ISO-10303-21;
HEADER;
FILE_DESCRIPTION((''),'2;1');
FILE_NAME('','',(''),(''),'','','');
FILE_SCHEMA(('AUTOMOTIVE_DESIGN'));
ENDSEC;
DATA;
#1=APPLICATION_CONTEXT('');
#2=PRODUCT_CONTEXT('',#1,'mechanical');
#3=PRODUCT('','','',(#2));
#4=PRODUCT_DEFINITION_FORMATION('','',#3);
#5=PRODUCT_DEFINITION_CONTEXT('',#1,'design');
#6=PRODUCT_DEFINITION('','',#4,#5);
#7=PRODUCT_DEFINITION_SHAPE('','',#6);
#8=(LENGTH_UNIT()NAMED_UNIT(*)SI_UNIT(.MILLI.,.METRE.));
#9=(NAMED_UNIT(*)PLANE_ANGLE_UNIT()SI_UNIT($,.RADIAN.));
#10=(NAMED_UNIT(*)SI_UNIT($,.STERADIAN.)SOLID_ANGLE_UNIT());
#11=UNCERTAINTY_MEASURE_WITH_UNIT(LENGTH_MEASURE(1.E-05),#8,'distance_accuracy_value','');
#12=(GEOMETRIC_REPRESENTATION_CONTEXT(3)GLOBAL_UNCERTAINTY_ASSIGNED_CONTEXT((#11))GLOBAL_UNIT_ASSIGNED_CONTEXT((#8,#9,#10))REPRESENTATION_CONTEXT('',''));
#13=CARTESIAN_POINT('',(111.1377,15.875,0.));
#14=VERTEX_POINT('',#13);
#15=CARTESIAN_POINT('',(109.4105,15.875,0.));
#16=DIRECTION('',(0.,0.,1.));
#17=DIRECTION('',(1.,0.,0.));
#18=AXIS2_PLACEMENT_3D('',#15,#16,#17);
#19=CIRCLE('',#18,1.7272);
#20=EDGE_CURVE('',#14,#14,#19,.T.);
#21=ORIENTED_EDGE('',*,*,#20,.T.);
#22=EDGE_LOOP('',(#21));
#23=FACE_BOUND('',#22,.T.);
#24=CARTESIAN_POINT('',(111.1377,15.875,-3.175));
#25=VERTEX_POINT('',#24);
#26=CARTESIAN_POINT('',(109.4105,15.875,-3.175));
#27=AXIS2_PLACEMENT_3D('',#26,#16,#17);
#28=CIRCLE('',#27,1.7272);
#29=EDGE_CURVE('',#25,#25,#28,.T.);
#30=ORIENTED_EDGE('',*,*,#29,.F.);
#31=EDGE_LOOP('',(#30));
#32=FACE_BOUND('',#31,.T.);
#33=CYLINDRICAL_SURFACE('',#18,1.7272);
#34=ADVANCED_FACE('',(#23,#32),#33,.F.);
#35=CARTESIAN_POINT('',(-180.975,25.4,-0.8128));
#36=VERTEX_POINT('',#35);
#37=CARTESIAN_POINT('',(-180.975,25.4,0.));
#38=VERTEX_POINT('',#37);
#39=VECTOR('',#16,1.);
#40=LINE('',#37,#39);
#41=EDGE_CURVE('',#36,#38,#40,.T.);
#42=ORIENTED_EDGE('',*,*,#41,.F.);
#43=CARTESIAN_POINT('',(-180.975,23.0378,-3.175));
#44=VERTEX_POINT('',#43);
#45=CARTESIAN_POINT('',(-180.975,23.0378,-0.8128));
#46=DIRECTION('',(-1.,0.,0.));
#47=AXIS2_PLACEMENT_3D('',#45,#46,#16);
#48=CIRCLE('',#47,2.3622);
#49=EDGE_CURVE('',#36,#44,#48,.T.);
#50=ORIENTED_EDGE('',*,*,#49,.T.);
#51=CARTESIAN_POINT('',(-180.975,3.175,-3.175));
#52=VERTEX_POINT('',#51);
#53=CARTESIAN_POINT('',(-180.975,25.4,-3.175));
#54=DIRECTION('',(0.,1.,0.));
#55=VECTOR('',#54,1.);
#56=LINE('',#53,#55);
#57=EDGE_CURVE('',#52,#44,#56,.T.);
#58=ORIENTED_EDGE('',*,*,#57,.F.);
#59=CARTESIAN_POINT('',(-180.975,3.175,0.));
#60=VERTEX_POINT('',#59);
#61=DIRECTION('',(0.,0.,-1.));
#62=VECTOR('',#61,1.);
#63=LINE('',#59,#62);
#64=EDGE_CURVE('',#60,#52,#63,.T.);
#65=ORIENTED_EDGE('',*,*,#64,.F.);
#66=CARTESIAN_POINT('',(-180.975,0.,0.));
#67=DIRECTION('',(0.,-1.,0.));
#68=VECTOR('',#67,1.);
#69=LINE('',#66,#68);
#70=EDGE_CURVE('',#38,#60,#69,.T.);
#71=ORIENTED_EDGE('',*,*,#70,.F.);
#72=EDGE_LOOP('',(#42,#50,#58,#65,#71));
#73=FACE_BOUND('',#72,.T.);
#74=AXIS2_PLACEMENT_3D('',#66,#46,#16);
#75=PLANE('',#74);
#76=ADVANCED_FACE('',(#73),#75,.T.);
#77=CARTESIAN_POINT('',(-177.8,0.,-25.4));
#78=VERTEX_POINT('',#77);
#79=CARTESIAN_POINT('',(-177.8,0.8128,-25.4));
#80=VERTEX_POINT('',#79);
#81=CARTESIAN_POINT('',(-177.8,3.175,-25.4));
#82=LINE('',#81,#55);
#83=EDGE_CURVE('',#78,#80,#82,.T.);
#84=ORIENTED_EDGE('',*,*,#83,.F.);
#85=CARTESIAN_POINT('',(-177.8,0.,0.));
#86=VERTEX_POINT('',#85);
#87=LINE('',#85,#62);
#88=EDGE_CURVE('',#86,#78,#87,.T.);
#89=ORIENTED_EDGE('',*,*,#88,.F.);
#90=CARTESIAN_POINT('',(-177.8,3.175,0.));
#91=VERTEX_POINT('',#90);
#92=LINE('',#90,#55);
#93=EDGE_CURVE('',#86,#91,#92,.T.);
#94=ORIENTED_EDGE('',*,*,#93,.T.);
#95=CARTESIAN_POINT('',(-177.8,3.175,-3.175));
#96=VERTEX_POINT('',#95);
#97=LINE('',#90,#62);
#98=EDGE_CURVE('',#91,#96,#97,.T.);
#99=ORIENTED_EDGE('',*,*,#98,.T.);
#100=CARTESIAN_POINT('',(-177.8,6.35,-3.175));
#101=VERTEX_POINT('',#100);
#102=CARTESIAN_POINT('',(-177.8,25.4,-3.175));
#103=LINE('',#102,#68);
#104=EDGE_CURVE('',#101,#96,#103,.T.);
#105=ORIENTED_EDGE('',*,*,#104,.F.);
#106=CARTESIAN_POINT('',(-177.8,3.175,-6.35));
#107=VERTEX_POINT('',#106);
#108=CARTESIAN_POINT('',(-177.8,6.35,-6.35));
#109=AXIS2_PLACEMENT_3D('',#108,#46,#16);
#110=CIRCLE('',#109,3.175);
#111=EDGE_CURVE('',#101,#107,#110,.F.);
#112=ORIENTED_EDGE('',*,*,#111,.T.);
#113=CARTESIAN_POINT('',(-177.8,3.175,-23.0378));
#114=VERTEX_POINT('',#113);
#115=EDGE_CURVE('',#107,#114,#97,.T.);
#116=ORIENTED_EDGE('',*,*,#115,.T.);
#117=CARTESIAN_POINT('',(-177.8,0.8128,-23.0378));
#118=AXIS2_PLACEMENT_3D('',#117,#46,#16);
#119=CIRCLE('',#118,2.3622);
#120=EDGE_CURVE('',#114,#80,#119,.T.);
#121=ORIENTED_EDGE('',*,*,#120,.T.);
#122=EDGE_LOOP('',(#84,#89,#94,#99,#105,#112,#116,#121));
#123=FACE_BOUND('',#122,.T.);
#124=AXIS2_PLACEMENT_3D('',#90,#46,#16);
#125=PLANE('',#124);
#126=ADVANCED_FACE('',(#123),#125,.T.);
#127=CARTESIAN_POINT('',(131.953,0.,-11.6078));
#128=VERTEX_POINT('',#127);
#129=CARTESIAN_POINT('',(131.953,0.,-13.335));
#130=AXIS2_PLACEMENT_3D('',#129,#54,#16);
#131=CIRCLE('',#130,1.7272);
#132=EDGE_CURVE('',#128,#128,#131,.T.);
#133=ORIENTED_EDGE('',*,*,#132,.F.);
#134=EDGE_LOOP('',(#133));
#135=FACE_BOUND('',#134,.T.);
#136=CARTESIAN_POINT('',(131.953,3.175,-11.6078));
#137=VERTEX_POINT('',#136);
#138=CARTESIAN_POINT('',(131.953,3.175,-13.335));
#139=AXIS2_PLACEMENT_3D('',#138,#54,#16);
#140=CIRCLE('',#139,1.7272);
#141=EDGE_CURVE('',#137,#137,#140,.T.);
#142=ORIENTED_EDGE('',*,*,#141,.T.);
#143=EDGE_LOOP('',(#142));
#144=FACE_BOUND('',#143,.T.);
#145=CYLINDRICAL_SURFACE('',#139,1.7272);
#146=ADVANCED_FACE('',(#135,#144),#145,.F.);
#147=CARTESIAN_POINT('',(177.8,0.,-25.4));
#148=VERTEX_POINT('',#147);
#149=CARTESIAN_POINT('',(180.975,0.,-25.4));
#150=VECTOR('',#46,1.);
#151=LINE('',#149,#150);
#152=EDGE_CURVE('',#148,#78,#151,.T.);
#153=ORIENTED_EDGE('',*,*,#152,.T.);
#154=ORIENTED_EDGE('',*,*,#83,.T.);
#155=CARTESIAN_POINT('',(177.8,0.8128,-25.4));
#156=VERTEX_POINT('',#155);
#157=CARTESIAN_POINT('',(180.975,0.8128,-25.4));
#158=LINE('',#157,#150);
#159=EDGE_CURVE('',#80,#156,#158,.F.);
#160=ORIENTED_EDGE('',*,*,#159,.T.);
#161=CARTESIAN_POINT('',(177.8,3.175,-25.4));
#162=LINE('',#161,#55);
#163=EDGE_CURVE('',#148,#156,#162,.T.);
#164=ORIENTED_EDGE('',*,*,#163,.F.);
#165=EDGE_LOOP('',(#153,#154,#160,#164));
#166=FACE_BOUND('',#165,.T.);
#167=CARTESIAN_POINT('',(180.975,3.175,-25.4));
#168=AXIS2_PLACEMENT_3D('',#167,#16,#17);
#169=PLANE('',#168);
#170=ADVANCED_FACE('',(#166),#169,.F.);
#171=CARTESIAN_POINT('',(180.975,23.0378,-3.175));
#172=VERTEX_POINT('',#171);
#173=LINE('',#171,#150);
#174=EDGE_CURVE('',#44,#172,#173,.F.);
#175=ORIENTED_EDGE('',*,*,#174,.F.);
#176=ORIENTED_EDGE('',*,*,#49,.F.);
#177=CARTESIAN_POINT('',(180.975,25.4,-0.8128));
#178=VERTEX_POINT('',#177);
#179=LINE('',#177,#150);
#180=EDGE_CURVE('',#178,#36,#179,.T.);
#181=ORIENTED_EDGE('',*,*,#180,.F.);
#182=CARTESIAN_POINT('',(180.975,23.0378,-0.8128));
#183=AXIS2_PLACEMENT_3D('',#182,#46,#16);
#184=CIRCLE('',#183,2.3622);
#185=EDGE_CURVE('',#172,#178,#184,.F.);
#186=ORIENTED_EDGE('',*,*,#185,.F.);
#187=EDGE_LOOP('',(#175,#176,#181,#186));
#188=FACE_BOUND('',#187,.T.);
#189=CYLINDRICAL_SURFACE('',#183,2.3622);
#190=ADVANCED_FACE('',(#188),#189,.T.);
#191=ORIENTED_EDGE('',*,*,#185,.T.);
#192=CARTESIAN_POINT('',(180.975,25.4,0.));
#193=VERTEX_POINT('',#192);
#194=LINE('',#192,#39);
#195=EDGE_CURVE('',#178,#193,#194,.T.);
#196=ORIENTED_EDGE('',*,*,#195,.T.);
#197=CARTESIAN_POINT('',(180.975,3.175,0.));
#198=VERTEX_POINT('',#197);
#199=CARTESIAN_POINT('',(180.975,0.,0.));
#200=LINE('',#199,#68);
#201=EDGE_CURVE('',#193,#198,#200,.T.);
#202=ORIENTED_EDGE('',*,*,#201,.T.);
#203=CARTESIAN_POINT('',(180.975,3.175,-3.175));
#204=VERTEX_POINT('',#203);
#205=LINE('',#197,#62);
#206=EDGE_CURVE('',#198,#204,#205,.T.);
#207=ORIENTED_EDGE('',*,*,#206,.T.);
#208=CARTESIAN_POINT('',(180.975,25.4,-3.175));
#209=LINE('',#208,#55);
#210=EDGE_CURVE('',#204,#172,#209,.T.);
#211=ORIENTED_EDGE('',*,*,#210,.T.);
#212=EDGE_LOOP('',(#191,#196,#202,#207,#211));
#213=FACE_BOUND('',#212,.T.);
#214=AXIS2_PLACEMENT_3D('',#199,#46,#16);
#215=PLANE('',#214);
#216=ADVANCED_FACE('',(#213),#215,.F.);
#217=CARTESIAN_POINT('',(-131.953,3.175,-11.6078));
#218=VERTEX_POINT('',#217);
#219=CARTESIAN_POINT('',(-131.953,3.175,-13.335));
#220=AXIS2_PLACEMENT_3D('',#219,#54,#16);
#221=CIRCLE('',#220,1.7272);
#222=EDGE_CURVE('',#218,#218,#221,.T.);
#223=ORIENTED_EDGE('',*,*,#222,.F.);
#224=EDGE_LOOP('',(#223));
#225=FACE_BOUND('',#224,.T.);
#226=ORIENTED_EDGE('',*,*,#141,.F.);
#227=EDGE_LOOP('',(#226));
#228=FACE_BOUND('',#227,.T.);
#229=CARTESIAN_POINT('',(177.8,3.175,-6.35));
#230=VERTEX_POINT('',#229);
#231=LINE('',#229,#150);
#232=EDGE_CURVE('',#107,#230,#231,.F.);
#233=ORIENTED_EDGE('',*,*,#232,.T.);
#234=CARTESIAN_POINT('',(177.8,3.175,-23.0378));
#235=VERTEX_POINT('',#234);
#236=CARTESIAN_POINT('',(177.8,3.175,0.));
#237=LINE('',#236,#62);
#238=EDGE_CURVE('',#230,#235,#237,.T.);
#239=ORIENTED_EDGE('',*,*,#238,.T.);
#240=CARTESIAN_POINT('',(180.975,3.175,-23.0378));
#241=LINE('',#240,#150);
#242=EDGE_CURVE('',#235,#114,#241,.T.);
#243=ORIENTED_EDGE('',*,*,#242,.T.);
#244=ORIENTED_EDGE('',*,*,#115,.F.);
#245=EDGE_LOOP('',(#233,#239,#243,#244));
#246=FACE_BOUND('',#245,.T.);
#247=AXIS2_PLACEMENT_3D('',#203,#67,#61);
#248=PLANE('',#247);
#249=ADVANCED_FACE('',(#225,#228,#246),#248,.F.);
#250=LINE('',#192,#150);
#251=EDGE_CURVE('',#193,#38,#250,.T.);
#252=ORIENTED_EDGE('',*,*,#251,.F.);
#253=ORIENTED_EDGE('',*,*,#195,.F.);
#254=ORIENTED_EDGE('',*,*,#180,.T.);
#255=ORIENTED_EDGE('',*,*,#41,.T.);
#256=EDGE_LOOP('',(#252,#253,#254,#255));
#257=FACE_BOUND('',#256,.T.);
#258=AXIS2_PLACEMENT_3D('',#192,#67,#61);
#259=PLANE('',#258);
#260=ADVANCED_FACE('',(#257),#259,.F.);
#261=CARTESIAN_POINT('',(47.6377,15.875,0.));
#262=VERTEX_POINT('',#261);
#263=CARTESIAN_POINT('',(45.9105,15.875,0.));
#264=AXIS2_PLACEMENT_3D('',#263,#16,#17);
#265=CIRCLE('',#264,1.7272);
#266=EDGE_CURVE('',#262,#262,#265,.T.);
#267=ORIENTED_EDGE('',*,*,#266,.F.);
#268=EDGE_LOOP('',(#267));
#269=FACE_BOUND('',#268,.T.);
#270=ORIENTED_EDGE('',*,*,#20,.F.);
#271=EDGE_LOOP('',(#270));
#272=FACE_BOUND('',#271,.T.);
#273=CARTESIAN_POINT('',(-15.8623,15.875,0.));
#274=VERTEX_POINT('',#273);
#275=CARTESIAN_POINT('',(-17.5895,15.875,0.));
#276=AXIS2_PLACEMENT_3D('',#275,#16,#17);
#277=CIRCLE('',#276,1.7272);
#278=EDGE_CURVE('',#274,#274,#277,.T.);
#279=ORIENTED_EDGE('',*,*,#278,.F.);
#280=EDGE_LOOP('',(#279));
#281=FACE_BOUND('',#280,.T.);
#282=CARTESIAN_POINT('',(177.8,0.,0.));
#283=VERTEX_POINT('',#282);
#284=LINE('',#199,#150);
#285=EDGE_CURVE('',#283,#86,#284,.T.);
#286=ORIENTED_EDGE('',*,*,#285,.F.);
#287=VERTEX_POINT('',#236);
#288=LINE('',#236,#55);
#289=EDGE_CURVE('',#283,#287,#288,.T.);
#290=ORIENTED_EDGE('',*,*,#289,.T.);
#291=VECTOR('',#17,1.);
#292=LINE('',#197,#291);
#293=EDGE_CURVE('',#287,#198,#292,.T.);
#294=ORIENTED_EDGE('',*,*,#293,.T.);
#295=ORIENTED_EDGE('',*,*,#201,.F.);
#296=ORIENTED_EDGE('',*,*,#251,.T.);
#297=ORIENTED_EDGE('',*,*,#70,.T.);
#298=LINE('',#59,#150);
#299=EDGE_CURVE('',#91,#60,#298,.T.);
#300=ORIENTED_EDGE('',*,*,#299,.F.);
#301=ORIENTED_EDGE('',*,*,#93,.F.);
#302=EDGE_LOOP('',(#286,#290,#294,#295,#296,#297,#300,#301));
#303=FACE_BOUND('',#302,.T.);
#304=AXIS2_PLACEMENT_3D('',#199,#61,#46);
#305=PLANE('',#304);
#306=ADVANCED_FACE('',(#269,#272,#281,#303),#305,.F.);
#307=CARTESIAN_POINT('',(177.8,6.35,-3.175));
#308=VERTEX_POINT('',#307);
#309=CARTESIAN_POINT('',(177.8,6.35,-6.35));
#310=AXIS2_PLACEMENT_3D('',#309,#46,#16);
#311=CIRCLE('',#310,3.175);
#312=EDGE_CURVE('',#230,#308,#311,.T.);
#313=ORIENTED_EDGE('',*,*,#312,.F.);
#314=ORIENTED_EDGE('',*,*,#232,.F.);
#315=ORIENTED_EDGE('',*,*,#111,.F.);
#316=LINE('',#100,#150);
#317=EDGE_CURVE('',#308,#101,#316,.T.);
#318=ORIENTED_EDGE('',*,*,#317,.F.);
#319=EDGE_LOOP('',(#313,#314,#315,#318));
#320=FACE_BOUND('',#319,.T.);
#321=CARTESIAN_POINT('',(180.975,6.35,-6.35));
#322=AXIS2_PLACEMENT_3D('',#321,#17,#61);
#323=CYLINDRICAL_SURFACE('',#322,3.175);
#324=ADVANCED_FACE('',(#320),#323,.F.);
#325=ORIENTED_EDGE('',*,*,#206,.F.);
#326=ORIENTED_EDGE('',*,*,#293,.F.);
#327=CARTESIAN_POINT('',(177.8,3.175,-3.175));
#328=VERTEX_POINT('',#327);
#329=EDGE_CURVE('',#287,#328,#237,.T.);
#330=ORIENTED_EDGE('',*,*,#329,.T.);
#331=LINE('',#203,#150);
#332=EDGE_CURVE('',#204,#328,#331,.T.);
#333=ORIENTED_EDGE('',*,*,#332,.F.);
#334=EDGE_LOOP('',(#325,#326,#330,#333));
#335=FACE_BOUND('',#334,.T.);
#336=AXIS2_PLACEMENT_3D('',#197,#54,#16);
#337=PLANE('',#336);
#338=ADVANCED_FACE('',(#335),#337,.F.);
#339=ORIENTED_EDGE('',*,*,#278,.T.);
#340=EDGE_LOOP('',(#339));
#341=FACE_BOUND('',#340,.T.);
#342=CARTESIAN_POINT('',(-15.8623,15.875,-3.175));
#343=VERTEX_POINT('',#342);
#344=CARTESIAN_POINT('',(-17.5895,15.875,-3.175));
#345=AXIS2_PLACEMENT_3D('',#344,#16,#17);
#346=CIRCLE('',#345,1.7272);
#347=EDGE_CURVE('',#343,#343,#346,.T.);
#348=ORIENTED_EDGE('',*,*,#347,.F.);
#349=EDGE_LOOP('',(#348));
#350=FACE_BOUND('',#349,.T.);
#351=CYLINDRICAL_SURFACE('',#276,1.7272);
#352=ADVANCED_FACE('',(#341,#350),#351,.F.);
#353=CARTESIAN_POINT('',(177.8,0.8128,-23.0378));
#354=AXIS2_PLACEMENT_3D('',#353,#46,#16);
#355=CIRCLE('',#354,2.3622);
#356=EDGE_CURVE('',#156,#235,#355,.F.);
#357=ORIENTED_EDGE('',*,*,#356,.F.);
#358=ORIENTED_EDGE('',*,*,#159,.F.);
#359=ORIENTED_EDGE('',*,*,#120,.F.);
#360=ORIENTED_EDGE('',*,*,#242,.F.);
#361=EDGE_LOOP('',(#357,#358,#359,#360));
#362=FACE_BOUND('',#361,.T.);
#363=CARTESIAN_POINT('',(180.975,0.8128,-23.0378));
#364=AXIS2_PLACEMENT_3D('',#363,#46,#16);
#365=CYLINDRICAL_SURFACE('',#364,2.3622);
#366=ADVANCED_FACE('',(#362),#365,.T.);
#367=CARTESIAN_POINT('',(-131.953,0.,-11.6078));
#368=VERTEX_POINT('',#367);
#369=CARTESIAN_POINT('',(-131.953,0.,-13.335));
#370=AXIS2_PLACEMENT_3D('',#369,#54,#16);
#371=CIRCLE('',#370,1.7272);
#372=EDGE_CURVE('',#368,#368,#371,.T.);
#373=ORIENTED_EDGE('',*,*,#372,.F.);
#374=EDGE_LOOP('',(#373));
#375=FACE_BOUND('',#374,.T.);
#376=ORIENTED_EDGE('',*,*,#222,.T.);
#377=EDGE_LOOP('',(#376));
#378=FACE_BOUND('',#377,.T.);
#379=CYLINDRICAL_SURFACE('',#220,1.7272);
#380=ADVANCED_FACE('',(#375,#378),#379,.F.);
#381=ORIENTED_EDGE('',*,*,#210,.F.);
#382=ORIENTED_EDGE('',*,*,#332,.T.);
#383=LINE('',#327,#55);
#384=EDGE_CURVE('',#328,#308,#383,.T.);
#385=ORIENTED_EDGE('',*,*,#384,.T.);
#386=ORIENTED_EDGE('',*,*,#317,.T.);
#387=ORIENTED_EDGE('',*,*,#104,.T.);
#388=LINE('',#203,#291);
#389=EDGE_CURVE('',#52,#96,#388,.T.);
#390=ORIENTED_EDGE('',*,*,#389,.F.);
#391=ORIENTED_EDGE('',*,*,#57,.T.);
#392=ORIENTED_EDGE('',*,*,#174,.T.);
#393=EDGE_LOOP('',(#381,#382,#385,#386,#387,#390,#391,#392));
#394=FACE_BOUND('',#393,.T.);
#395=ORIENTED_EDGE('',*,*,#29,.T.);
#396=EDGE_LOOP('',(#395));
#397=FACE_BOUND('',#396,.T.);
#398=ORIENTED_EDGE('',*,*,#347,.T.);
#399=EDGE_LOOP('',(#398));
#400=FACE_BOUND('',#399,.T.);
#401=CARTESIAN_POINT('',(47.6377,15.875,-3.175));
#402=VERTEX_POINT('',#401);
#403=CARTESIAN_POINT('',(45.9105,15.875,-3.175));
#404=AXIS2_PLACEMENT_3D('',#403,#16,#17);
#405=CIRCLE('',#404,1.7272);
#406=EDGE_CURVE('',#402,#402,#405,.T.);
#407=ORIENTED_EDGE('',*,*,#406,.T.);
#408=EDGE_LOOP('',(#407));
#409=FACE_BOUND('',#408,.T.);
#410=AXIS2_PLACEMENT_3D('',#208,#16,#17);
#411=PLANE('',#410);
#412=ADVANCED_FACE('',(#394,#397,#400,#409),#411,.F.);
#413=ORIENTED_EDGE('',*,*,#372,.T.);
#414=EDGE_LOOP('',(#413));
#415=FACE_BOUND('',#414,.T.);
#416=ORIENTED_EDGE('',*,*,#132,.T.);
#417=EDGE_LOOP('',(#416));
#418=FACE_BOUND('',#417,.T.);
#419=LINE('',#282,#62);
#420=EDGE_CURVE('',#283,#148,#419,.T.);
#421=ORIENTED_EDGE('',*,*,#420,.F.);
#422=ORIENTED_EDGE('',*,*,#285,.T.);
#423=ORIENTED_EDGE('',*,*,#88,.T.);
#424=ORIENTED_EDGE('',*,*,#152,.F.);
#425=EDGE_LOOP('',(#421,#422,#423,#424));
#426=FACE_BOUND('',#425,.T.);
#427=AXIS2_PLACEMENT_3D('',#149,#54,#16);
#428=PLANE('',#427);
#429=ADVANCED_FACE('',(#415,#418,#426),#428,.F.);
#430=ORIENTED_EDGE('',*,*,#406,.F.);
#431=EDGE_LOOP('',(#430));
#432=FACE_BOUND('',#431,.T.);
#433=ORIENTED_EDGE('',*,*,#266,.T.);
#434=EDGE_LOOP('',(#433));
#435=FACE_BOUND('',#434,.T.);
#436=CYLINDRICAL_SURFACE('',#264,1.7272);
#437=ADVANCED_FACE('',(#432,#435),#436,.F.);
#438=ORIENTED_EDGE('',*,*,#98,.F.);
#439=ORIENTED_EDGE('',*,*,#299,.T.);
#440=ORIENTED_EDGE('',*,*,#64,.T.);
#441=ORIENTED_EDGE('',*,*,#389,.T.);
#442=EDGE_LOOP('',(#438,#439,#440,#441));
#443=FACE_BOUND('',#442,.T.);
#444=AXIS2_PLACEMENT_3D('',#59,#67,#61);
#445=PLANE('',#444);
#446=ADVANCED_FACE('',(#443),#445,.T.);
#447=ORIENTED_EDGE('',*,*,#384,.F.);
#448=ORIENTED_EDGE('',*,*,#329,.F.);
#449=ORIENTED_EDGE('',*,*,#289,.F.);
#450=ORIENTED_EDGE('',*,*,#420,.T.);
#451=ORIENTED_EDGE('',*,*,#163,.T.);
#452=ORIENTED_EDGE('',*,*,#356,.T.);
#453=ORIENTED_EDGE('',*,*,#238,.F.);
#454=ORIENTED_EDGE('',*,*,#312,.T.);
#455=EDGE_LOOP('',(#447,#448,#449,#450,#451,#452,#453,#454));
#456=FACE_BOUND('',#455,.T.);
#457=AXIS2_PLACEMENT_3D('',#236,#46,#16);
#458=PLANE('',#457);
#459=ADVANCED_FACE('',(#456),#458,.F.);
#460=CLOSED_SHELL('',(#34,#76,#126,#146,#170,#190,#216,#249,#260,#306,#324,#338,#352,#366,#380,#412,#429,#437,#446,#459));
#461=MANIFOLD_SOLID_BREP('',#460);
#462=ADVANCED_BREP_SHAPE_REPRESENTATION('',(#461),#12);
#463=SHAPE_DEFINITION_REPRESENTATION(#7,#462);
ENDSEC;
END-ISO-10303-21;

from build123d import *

# Parameters (mm, degrees)
BOSS_EXTRUDE1_DEPTH       = 180.975
SKETCH3_W                 = 3.175
SKETCH3_H                 = 3.175
CUT_EXTRUDE2_DEPTH        = 185.505475867
F_8_32_TAPPED_HOLE1_D     = 3.4544
F_8_32_TAPPED_HOLE2_D     = 3.4544
F_8_32_TAPPED_HOLE2_DEPTH = 10.668
F_8_32_TAPPED_HOLE2_TIP   = 1.037806461
FILLET1_R                 = 3.175
FILLET2_R                 = 2.3622


with BuildPart() as part:
    # Sketch1 → Boss-Extrude1 (new, symmetric)
    with BuildSketch(Plane(origin=(0, 0, 0), x_dir=(0, 0, -1), z_dir=(1, 0, 0))):
        Polygon((0, 0), (0, 25.4), (3.175, 25.4), (3.175, 3.175), (25.4, 3.175), (25.4, 0), align=None)
    extrude(amount=BOSS_EXTRUDE1_DEPTH, both=True)

    # Sketch3 → Cut-Extrude2 (cut, through all)
    with BuildSketch(Plane(origin=(0, 0, -25.4), x_dir=(-1, 0, 0), z_dir=(0, 0, -1))):
        with Locations((-179.3875, 1.5875)):
            Rectangle(SKETCH3_W, SKETCH3_H)
    cut_extrude2 = extrude(amount=-CUT_EXTRUDE2_DEPTH, mode=Mode.SUBTRACT)

    # Mirror2: Cut-Extrude2 across plane
    add(cut_extrude2.mirror(Plane(origin=(0, 0, 0), x_dir=(0, 0, 1), z_dir=(1, 0, 0))), mode=Mode.SUBTRACT)

    # #8-32 Tapped Hole1 (through all)
    with Locations(Plane.XY):
        with Locations((109.4105, 15.875), (45.9105, 15.875), (-17.5895, 15.875)):
            Hole(F_8_32_TAPPED_HOLE1_D / 2)

    # #8-32 Tapped Hole2
    with Locations(Plane(origin=(0, 3.175, 0), x_dir=(-1, 0, 0), z_dir=(0, 1, 0))):
        with Locations((131.953, -13.335), (-131.953, -13.335)):
            Hole(F_8_32_TAPPED_HOLE2_D / 2, depth=F_8_32_TAPPED_HOLE2_DEPTH)
            with Locations((0, 0, -(F_8_32_TAPPED_HOLE2_DEPTH + F_8_32_TAPPED_HOLE2_TIP / 2))):  # 118° drill point
                Cone(0, F_8_32_TAPPED_HOLE2_D / 2, F_8_32_TAPPED_HOLE2_TIP, mode=Mode.SUBTRACT)

    # Fillet1
    fillet1_edges = [part.edges().sort_by_distance(p)[0] for p in [
        (0, 3.175, -3.175),
    ]]
    fillet(fillet1_edges, radius=FILLET1_R)

    # Fillet2
    fillet2_edges = [part.edges().sort_by_distance(p)[0] for p in [
        (0, 25.4, -3.175),
        (0, 3.175, -25.4),
    ]]
    fillet(fillet2_edges, radius=FILLET2_R)


solid = part.part
